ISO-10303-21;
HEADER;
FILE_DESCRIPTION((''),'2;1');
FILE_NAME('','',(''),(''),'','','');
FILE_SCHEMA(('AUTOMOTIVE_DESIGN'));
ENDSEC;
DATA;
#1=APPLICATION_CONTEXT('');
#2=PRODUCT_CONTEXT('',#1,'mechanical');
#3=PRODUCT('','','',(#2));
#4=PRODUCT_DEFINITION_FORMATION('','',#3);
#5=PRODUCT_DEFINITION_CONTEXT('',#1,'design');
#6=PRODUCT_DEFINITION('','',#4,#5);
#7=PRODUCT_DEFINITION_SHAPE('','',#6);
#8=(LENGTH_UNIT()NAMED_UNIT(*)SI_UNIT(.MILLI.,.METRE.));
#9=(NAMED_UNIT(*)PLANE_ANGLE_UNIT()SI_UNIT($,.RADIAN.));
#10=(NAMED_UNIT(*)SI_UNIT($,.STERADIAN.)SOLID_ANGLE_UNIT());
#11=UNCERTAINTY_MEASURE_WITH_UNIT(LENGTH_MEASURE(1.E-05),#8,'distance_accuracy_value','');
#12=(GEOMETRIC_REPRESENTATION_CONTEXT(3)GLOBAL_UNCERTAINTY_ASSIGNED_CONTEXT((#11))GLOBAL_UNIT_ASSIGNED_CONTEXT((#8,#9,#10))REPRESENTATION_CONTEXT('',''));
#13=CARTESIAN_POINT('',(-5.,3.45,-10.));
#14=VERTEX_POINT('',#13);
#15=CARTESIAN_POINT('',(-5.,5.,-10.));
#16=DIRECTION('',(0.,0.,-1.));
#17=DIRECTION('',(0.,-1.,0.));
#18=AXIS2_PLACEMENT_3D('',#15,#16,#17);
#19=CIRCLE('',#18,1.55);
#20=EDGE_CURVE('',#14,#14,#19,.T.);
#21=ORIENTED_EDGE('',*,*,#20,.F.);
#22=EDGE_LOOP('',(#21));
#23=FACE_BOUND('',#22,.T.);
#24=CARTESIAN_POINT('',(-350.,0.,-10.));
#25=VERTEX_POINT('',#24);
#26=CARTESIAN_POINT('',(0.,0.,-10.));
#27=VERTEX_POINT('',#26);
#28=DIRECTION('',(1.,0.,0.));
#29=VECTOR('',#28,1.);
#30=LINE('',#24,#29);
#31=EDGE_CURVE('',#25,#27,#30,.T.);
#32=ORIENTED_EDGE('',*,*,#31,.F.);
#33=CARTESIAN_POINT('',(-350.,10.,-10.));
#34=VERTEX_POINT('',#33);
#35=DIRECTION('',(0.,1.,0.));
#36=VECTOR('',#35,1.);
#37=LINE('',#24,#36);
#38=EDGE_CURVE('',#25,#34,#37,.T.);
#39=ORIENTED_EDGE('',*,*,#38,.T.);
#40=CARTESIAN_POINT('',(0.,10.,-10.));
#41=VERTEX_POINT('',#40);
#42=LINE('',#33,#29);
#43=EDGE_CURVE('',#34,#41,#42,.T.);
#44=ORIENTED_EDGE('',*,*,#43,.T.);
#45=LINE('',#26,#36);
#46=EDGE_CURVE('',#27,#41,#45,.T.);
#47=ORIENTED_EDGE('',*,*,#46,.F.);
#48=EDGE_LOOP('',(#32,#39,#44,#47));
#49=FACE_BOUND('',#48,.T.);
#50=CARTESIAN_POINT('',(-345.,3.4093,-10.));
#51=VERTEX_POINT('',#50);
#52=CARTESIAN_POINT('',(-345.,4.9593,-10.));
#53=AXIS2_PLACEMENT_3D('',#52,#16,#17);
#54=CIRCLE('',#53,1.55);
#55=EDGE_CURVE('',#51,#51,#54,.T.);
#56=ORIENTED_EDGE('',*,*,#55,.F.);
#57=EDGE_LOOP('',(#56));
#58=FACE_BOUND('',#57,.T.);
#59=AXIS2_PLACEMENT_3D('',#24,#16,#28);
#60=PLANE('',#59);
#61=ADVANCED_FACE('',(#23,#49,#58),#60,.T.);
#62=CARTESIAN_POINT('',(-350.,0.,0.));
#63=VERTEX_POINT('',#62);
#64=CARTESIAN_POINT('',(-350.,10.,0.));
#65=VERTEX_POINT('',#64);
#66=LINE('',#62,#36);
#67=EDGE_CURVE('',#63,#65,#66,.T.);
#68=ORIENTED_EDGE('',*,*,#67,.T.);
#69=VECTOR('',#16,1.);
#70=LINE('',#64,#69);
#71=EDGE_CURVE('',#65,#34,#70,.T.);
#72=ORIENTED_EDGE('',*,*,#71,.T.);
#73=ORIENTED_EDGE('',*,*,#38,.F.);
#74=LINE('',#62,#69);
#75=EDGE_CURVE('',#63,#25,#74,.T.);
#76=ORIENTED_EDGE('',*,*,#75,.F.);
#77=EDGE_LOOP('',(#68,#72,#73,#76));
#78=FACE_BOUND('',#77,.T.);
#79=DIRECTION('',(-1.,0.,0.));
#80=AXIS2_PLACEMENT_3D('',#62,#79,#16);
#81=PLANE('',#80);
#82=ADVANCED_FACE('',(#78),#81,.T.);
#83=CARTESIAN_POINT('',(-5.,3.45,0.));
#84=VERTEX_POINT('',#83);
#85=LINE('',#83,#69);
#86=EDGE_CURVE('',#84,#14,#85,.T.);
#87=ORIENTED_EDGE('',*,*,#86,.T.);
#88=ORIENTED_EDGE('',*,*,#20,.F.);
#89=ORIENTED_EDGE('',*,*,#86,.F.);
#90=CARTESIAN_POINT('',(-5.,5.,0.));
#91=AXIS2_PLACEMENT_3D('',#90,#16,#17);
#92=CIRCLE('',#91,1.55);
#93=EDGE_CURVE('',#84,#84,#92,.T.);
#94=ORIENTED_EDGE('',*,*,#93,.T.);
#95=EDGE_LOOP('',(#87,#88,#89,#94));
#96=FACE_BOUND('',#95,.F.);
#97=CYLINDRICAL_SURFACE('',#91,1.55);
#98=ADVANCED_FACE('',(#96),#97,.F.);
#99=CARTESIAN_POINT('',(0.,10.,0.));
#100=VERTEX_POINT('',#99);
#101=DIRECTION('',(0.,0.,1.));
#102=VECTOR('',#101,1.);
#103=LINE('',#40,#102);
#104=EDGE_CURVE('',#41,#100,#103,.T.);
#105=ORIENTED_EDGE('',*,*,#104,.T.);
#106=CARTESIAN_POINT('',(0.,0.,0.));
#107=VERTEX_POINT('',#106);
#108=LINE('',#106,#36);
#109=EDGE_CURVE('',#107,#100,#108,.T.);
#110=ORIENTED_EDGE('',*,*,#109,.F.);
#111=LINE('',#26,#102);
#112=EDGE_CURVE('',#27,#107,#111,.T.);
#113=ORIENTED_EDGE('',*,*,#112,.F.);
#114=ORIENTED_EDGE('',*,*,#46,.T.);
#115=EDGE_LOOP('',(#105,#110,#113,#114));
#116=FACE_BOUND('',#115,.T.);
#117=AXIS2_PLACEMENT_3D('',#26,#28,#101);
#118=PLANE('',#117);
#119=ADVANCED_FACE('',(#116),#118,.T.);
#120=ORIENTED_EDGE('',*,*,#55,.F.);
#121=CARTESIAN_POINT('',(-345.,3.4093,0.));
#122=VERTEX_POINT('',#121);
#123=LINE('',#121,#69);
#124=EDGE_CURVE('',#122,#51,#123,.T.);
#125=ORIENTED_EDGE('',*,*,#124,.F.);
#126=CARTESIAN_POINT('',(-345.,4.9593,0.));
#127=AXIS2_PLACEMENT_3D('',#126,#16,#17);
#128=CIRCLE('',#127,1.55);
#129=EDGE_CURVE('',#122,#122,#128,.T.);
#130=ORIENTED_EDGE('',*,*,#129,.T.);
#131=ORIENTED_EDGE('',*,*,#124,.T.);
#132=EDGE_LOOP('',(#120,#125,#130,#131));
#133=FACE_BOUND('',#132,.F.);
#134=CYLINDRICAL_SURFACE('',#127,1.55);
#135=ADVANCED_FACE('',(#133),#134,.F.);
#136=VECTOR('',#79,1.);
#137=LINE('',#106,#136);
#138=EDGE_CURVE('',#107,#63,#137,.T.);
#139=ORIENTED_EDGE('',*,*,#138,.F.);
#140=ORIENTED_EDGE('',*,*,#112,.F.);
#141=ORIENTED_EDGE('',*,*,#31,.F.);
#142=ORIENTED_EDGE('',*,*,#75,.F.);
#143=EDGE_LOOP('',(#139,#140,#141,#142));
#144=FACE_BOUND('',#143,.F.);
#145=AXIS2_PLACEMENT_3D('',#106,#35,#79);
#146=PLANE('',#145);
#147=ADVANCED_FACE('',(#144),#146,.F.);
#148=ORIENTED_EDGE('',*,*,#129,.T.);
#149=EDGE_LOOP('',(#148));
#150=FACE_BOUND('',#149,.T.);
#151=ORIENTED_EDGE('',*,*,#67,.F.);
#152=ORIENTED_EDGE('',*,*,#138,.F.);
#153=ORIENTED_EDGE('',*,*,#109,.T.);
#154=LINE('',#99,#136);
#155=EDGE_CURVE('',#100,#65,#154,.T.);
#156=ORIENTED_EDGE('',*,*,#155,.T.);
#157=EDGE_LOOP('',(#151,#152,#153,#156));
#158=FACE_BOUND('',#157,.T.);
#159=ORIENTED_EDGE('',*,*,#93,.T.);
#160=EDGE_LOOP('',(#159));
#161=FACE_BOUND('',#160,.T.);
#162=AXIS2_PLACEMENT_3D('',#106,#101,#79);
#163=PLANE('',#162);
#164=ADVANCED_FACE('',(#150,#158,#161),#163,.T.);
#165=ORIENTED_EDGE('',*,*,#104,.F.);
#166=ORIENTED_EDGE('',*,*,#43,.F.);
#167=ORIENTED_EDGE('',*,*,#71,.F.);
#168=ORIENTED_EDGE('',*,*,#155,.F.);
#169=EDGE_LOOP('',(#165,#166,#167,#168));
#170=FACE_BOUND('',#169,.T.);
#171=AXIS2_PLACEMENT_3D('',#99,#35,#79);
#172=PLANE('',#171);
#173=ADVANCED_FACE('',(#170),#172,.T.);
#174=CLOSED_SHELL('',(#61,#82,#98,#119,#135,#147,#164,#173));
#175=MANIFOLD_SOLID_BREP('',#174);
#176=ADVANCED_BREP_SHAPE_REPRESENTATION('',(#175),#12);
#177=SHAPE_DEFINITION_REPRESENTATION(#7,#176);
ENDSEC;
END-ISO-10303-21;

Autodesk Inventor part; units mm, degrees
ref_plane "YZ Plane" through (0, 0, 0) normal (1, 0, 0) x (0, 1, 0)
ref_plane "XZ Plane" through (0, 0, 0) normal (0, 1, 0) x (-1, 0, 0)
ref_plane "XY Plane" through (0, 0, 0) normal (0, 0, 1) x (1, 0, 0)
sketch "スケッチ1" plane through (0, 0, 0) normal (0, 1, 0) x (-1, 0, 0)
  line L0 (0, 0) -> (350, 0)
  line L1 (350, 0) -> (350, -10)
  line L2 (350, -10) -> (0, -10)
  line L3 (0, -10) -> (0, 0)
  dimension "d0" = 350
  dimension "d1" = 10
extrude "押し出し1" add sketch "スケッチ1" along normal blind 10
sketch "スケッチ2" plane through (-350, 0, 0) normal (0, 0, 1) x (1, 0, 0)
  line L0 (350, 0) -> (350, 10) projected
  line L1 (0, 0) -> (0, 10) projected
  point P0 (345, 5)
  point P1 (5, 4.9593)
  point P2 (350, 5)
  point P3 (350, 5)
  point P4 (0, 5)
  dimension "d4" = 5
  dimension "d5" = 5
hole "穴1" at (-5, 5, 0) at (-345, 4.9593, 0) direction (0, 0, -1) diameter 3.1 end through all
properties part number "SokuYoko"
